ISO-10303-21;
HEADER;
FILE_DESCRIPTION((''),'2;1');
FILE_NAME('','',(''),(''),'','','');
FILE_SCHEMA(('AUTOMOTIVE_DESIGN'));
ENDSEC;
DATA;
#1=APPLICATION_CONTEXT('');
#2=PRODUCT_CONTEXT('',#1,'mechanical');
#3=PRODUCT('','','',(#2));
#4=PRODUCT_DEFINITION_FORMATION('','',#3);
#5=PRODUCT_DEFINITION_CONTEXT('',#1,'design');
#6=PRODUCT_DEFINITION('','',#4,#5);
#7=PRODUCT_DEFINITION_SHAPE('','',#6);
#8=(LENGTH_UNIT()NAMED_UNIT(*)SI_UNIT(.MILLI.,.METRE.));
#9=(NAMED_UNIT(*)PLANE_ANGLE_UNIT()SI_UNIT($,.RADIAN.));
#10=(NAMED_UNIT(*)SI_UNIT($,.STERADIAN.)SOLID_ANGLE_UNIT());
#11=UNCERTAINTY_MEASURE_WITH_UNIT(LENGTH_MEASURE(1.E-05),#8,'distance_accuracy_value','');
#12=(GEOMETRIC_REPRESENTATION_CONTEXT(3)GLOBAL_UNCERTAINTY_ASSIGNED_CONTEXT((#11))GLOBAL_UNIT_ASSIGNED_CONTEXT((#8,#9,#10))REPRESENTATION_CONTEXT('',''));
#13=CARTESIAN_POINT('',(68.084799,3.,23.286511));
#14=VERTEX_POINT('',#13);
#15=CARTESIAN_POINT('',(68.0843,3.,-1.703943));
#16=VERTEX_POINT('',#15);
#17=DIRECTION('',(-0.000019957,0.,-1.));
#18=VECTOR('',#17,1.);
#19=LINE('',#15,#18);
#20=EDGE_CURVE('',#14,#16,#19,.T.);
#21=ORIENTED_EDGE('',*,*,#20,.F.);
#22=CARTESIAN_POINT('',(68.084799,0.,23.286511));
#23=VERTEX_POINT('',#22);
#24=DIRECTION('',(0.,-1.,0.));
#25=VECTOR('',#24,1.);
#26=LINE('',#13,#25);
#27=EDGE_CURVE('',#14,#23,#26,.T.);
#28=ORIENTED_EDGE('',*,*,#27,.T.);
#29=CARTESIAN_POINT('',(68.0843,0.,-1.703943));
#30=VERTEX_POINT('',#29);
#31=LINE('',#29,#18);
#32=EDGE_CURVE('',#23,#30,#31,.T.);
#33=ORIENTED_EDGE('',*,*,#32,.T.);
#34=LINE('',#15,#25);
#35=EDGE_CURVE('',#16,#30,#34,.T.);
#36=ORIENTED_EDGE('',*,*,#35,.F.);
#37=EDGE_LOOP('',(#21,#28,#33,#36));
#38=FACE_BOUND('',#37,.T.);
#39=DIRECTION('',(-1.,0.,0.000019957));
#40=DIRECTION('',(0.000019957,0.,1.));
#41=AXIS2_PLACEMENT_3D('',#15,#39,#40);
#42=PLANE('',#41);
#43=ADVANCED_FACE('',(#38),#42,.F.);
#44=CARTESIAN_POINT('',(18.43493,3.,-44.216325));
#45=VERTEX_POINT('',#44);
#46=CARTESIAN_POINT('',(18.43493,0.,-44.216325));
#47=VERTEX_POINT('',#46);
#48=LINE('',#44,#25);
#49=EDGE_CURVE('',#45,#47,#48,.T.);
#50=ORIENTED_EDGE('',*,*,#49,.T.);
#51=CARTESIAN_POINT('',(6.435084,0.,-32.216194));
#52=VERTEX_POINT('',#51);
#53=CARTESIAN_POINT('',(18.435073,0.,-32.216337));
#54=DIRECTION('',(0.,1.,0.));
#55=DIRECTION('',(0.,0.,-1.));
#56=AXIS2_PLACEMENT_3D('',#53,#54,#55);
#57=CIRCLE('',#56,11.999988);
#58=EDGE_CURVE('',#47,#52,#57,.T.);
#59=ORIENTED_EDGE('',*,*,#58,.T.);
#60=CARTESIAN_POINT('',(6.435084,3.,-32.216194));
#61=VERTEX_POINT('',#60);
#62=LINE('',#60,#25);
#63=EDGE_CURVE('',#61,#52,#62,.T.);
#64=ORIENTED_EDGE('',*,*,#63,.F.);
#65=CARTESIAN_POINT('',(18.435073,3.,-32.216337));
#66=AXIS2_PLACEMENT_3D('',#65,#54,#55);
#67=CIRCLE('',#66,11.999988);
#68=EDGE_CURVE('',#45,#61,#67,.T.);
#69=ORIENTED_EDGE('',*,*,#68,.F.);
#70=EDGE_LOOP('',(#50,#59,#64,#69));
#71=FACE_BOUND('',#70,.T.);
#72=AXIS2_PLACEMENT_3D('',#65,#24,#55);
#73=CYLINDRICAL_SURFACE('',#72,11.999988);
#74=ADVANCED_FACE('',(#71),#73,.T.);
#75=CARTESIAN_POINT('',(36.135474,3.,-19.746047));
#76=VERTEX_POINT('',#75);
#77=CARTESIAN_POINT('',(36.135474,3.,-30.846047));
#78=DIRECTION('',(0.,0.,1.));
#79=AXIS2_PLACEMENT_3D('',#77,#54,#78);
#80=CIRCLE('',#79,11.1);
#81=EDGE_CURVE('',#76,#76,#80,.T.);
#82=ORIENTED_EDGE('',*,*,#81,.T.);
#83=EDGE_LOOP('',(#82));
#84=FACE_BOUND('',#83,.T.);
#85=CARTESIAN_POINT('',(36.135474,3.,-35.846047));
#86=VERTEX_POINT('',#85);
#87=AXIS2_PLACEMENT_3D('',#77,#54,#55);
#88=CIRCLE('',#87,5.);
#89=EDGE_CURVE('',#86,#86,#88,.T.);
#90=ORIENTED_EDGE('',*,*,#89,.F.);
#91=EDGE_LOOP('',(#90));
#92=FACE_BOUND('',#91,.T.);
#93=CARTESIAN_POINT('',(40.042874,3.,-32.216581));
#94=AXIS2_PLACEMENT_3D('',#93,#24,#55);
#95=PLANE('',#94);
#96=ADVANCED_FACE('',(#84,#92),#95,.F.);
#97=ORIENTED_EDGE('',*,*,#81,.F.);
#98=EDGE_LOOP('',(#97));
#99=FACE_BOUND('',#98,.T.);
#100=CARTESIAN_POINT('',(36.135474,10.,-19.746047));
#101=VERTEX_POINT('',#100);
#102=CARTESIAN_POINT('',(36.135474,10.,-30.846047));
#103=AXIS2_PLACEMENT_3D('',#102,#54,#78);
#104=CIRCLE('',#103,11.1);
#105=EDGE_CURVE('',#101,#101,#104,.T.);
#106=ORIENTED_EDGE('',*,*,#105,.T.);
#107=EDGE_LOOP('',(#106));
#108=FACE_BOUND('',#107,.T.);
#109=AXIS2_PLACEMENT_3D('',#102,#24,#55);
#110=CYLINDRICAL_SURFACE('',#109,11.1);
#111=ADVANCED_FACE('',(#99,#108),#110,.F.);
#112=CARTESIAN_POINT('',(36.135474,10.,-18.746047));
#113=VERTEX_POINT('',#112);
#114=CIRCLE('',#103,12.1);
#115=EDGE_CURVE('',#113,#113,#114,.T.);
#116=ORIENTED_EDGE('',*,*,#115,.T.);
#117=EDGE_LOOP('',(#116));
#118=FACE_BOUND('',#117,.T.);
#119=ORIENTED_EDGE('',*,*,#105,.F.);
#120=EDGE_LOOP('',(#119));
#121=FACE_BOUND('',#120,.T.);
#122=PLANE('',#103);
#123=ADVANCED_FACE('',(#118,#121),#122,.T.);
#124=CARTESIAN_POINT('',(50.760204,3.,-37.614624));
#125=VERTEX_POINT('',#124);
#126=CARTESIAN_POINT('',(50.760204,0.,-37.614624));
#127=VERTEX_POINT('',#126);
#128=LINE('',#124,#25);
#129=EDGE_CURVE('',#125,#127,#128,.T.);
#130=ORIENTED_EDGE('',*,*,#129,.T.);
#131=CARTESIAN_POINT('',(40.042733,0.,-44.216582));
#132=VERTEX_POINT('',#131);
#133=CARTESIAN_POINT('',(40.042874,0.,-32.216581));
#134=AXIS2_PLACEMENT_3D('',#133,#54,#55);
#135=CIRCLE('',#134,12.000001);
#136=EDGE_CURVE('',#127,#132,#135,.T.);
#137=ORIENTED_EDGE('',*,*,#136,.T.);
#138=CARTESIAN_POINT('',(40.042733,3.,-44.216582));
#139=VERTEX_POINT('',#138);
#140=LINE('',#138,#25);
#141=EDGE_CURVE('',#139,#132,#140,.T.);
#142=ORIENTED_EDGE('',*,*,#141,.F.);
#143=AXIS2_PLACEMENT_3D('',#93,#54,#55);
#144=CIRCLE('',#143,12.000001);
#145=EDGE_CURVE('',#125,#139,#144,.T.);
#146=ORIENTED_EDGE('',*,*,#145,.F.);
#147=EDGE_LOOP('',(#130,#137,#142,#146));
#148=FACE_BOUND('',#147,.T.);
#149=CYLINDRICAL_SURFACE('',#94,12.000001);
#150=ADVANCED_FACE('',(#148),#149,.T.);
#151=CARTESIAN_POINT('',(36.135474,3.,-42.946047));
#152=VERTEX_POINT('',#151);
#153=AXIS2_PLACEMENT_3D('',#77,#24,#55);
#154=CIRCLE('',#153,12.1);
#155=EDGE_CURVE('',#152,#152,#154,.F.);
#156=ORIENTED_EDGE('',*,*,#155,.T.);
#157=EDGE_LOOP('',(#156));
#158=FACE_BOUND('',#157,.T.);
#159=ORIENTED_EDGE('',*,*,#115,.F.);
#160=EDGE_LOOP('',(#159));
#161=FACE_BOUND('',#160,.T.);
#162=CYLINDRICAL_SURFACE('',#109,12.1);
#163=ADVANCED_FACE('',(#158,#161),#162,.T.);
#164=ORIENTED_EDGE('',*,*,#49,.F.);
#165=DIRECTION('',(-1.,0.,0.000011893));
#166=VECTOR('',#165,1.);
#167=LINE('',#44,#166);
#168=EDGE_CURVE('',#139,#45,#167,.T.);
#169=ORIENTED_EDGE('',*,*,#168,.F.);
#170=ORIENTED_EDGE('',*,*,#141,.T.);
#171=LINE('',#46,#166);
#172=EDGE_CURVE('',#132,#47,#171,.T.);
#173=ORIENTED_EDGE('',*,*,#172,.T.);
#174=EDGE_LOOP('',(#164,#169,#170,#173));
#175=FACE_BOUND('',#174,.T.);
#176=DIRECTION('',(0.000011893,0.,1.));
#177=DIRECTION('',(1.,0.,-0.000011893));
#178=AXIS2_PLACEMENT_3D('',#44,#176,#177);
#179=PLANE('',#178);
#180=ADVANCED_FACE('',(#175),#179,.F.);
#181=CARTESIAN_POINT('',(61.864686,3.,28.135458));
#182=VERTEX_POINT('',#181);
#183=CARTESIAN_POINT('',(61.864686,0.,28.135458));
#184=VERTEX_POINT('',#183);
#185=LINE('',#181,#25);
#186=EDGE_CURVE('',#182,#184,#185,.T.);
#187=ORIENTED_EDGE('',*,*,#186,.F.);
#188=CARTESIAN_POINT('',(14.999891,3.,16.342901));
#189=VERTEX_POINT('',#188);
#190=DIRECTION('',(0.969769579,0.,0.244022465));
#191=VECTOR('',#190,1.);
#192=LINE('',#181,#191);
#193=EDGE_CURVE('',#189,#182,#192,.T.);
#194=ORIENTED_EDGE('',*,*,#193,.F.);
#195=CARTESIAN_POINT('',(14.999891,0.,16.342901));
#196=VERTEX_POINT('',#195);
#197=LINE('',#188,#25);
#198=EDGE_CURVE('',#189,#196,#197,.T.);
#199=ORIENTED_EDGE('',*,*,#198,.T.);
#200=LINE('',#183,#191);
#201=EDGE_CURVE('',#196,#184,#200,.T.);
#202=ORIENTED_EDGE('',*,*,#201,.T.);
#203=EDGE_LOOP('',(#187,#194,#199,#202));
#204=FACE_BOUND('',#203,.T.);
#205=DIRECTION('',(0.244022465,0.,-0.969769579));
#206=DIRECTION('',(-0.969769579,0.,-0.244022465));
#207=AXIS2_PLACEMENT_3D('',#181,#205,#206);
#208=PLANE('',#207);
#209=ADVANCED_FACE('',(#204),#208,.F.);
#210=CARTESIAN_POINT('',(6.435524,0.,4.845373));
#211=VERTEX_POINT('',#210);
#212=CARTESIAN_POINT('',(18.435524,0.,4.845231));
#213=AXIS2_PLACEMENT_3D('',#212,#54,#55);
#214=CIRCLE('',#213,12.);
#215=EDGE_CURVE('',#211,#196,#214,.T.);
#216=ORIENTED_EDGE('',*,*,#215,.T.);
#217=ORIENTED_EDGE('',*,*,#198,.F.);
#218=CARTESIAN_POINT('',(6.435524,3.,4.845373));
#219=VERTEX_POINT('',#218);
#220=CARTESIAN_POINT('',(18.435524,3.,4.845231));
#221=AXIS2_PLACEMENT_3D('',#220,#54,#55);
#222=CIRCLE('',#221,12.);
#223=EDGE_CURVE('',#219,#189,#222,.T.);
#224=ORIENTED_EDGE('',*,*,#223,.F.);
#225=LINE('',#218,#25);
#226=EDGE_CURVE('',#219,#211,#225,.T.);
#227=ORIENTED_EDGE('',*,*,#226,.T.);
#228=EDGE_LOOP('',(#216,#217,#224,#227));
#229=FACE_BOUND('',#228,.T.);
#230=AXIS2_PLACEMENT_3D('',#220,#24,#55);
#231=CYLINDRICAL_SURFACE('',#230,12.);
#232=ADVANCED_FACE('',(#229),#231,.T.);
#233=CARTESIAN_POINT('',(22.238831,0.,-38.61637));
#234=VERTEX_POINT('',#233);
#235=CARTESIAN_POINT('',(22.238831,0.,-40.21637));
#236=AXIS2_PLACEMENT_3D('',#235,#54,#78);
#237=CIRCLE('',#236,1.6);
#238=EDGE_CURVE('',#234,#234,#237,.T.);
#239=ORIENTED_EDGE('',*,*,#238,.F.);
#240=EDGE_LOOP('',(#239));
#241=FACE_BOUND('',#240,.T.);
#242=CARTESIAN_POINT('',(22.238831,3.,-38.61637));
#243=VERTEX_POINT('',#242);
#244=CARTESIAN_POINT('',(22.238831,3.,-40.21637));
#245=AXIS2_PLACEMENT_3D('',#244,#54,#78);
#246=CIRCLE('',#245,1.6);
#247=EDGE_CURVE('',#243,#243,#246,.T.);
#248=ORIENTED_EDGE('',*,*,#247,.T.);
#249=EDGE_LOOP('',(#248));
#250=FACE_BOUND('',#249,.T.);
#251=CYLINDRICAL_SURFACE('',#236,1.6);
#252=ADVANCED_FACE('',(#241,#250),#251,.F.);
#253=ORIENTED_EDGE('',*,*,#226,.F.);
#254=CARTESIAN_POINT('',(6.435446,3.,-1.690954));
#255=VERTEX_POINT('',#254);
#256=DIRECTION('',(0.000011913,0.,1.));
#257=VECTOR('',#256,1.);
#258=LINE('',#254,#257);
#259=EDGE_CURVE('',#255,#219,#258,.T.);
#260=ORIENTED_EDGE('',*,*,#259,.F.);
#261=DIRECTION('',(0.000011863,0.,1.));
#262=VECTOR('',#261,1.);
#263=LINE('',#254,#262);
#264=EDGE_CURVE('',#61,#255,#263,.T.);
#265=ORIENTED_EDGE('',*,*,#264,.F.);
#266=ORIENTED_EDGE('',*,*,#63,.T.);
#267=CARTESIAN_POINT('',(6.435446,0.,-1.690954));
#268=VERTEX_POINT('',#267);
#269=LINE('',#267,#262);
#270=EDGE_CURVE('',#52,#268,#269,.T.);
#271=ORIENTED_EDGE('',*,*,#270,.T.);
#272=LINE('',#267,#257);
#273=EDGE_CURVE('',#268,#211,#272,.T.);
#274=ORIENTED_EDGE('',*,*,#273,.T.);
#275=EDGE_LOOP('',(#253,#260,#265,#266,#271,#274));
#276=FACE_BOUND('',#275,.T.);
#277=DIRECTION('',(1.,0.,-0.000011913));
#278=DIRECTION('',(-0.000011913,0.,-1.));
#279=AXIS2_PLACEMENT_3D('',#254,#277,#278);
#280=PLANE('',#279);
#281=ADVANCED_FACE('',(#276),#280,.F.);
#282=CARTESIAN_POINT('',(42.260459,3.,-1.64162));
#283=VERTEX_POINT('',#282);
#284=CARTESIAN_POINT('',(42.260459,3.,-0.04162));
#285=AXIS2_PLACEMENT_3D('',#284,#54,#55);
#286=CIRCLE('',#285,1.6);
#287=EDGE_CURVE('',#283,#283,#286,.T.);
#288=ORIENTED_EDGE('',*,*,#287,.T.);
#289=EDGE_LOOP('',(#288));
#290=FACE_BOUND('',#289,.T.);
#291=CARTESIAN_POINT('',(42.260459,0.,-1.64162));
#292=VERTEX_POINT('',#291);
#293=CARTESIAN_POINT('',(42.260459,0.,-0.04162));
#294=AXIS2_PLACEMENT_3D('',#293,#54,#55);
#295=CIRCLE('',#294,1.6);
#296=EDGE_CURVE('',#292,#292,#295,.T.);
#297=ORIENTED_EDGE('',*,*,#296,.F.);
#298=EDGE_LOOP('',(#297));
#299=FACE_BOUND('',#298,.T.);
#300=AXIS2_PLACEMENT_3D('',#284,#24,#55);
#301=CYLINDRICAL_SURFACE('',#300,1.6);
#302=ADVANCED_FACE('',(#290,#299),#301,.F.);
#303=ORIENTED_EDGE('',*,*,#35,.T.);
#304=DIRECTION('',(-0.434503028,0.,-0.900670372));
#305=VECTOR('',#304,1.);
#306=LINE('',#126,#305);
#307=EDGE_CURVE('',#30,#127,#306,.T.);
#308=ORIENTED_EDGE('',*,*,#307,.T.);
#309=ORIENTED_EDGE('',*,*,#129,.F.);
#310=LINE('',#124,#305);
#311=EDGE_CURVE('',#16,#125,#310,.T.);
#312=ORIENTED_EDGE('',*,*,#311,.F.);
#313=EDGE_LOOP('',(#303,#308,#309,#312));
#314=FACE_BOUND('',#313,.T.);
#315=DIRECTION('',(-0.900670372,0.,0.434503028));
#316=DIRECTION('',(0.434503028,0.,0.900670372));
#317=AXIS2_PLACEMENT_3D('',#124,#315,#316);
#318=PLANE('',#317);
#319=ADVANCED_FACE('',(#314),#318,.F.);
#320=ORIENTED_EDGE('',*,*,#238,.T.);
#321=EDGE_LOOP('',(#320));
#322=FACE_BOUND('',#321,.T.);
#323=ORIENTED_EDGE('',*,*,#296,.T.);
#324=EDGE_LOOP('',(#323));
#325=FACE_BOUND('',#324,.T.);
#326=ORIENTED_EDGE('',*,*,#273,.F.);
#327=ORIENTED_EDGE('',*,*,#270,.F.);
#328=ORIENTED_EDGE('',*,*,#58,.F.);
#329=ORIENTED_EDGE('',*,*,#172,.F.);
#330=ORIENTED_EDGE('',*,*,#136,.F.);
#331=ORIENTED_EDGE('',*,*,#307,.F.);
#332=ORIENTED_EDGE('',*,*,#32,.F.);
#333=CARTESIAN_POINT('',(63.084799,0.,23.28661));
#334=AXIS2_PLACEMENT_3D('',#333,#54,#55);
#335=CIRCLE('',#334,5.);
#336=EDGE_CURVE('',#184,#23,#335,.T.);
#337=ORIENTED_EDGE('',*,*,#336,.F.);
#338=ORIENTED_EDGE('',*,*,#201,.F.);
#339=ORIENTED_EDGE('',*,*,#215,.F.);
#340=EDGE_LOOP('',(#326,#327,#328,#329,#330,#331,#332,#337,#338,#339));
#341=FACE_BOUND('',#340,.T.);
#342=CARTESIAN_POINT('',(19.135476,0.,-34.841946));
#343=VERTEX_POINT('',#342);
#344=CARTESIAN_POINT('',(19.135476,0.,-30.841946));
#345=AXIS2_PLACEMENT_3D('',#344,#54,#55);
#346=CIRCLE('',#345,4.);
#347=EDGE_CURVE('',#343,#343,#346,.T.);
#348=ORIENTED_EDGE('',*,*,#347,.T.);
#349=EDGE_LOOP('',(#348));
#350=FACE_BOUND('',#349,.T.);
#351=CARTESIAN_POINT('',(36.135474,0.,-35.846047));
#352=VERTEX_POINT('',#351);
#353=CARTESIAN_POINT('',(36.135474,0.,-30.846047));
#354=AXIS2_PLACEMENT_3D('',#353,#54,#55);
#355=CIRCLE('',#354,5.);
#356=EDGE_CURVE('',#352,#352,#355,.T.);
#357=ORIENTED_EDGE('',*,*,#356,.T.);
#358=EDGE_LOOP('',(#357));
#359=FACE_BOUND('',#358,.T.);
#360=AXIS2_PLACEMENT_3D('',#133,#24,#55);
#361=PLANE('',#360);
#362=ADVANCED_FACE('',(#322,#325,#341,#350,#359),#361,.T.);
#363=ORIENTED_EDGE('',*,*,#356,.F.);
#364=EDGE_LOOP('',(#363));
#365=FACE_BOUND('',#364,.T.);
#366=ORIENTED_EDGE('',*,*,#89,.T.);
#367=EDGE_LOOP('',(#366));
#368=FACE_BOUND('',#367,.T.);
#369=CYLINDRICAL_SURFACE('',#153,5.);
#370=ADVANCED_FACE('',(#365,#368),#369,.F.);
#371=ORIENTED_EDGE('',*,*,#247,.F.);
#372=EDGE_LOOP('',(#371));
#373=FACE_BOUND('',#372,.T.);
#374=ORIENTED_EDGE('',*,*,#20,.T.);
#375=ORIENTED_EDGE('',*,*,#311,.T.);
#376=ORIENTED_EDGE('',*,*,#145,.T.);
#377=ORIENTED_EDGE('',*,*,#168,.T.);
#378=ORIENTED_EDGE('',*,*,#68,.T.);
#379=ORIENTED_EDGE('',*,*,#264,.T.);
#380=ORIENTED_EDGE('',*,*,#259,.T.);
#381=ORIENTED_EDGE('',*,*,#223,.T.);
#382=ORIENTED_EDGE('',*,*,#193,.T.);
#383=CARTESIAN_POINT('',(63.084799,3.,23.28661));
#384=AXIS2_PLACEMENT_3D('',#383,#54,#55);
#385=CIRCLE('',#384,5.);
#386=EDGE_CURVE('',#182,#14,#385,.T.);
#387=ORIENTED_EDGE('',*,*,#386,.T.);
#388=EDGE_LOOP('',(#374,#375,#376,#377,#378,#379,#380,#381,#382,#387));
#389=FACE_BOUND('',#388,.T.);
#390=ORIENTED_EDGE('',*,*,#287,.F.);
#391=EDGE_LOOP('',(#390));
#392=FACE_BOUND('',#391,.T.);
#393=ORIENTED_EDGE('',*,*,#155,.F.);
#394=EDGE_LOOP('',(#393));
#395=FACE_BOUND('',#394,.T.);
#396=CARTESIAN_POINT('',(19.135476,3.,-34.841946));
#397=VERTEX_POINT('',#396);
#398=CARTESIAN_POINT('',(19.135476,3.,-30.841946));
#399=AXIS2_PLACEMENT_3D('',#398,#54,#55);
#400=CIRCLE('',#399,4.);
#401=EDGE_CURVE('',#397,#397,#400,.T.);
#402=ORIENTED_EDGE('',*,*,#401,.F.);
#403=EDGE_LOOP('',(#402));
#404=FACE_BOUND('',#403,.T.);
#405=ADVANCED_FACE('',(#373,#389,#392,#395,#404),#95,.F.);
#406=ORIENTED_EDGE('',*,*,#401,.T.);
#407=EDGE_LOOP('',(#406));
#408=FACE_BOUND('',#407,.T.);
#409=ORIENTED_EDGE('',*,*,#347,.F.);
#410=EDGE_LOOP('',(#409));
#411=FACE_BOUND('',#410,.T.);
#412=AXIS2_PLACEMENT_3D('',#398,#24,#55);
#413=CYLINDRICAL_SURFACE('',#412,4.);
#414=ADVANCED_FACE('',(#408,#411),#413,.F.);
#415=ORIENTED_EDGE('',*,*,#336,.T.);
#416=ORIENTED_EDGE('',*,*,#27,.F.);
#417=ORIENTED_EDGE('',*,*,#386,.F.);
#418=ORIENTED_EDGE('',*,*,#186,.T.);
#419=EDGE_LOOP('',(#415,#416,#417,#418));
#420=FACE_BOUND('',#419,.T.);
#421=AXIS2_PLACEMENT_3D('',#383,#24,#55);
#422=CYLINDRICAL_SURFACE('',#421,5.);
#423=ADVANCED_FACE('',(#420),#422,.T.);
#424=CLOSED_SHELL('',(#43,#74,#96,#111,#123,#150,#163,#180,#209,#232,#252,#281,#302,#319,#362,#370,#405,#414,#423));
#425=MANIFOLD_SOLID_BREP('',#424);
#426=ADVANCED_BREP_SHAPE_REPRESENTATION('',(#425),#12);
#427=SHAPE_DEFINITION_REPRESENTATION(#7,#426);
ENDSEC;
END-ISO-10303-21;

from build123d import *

# Parameters (mm, degrees)
IZIM1_R                     = 1.6
IZIM1_R_2                   = 4
IZIM1_R_3                   = 5
Y_KSEKLIK_EKSTR_ZYON1_DEPTH = 3
IZIM2_R                     = 12.1
IZIM2_R_2                   = 11.1
Y_KSEKLIK_EKSTR_ZYON2_DEPTH = 7
IZIM3_R                     = 1.6
KES_EKSTR_ZYON1_DEPTH       = 82.48402276


with BuildPart() as part:
    # Çizim1 → Yükseklik-Ekstrüzyon1 (new body)
    with BuildSketch(Plane(origin=(0, 0, 0), x_dir=(1, 0, 0), z_dir=(0, 1, 0))):
        with BuildLine():
            Line((50.760204115, 37.614624087), (68.08430001, 1.70394254))
            Line((68.08430001, 1.70394254), (68.084798737, -23.286510722))
            ThreePointArc((68.084798737, -23.286510722), (66.158877099, -27.229964111), (61.864685641, -28.135457628))
            Line((61.864685641, -28.135457628), (14.999890892, -16.342900955))
            ThreePointArc((14.999890892, -16.342900955), (8.811960476, -12.013704596), (6.435524315, -4.845373191))
            Line((6.435524315, -4.845373191), (6.435446445, 1.690953534))
            Line((6.435446445, 1.690953534), (6.435084331, 32.216193937))
            ThreePointArc((6.435084331, 32.216193937), (9.949698543, 40.701509037), (18.434929969, 44.216325258))
            Line((18.434929969, 44.216325258), (40.042732612, 44.21658225))
            ThreePointArc((40.042732612, 44.21658225), (46.336600804, 42.433676297), (50.760204115, 37.614624087))
        make_face()
        with Locations(Location((42.260458863, 0.041620293, 0), (0, 0, 90))):
            Circle(IZIM1_R, mode=Mode.SUBTRACT)
        with Locations(Location((19.13547597, 30.841945567, 0), (0, 0, 90))):
            Circle(IZIM1_R_2, mode=Mode.SUBTRACT)
        with Locations(Location((36.135474475, 30.846047168, 0), (0, 0, 90))):
            Circle(IZIM1_R_3, mode=Mode.SUBTRACT)
    extrude(amount=Y_KSEKLIK_EKSTR_ZYON1_DEPTH)

    # Çizim2 → Yükseklik-Ekstrüzyon2 (add)
    with BuildSketch(Plane(origin=(0, 3, 0), x_dir=(1, 0, 0), z_dir=(0, 1, 0))):
        with Locations(Location((36.135474475, 30.846047168, 0), (0, 0, 90))):
            Circle(IZIM2_R)
        with Locations(Location((36.135474475, 30.846047168, 0), (0, 0, 270))):
            Circle(IZIM2_R_2, mode=Mode.SUBTRACT)
    extrude(amount=Y_KSEKLIK_EKSTR_ZYON2_DEPTH)

    # Çizim3 → Kes-Ekstrüzyon1 (cut, through all)
    with BuildSketch(Plane(origin=(0, 3, 0), x_dir=(1, 0, 0), z_dir=(0, 1, 0))):
        with Locations(Location((22.23883129, 40.216370499, 0), (0, 0, 270))):
            Circle(IZIM3_R)
    extrude(amount=-KES_EKSTR_ZYON1_DEPTH, mode=Mode.SUBTRACT)


solid = part.part
